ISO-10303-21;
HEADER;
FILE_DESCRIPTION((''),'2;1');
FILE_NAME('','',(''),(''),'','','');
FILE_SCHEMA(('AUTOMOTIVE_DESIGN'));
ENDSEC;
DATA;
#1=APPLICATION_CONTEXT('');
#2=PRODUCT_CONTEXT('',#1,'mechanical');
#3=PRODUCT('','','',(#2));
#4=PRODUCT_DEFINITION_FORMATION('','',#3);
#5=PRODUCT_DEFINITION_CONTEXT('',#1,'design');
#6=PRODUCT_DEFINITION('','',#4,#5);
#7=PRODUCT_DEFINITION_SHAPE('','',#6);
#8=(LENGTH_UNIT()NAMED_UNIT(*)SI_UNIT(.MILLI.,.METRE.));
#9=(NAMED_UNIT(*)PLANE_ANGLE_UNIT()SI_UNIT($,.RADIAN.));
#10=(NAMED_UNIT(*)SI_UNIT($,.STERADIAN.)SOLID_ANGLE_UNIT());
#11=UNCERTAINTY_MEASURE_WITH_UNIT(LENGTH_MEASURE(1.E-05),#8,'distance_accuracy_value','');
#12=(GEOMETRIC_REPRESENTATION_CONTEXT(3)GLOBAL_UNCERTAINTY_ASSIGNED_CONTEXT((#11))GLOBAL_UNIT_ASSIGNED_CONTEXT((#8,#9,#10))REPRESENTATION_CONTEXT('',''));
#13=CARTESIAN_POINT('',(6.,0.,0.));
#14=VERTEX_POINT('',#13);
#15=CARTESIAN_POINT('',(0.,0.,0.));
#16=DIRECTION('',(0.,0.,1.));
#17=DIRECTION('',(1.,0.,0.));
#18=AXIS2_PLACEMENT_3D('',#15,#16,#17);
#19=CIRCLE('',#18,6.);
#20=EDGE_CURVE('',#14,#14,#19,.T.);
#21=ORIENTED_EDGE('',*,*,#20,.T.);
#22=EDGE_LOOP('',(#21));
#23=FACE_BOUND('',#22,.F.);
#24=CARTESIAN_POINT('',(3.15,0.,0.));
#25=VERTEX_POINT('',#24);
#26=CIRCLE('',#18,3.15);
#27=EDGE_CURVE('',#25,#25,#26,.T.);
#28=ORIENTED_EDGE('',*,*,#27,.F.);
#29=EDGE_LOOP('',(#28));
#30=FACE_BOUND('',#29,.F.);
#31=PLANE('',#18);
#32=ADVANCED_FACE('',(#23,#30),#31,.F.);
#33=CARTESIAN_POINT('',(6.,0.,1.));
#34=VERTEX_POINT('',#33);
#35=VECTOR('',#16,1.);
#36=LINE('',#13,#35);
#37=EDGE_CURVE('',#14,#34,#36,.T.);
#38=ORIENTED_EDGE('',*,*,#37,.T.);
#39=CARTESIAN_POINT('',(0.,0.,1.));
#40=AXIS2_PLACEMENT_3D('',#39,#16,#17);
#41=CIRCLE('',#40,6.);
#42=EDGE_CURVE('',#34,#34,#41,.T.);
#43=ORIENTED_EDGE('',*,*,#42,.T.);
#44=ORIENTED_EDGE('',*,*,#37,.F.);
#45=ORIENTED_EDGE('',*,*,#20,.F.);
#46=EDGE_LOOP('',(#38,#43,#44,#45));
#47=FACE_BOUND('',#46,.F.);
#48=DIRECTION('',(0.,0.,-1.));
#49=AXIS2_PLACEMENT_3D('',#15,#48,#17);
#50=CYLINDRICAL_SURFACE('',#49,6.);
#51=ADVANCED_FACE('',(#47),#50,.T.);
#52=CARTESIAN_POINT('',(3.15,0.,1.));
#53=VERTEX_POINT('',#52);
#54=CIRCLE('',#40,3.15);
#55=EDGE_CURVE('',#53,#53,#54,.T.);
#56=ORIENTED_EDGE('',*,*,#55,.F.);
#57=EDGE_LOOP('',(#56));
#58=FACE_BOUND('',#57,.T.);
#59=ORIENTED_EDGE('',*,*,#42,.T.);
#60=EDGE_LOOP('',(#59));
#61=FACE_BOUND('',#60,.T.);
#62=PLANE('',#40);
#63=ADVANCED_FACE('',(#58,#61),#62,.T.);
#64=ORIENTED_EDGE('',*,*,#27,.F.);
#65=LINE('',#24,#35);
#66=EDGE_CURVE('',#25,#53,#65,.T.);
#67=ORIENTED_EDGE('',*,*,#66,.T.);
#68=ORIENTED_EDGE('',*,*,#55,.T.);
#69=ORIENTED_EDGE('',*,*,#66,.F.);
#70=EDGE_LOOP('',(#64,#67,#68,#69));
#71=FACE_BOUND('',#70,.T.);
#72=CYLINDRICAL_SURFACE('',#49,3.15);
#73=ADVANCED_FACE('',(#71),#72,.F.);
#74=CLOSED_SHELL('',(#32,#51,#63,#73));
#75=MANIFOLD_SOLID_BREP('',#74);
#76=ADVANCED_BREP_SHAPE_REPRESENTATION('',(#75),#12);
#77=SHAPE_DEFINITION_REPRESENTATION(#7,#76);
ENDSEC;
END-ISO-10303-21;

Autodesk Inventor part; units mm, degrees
ref_plane "YZ Plane" through (0, 0, 0) normal (1, 0, 0) x (0, 1, 0)
ref_plane "XZ Plane" through (0, 0, 0) normal (0, 1, 0) x (-1, 0, 0)
ref_plane "XY Plane" through (0, 0, 0) normal (0, 0, 1) x (1, 0, 0)
sketch "スケッチ1" plane through (0, 0, 0) normal (0, 0, 1) x (1, 0, 0)
  circle A0 centre (0, 0) radius 3.15
  circle A1 centre (0, 0) radius 6
  dimension "d0" = 6.3
  dimension "d1" = 12
extrude "押し出し1" add sketch "スケッチ1" along normal blind 1
properties part number "TT-0612-10" material "アセタール樹脂、黒"
